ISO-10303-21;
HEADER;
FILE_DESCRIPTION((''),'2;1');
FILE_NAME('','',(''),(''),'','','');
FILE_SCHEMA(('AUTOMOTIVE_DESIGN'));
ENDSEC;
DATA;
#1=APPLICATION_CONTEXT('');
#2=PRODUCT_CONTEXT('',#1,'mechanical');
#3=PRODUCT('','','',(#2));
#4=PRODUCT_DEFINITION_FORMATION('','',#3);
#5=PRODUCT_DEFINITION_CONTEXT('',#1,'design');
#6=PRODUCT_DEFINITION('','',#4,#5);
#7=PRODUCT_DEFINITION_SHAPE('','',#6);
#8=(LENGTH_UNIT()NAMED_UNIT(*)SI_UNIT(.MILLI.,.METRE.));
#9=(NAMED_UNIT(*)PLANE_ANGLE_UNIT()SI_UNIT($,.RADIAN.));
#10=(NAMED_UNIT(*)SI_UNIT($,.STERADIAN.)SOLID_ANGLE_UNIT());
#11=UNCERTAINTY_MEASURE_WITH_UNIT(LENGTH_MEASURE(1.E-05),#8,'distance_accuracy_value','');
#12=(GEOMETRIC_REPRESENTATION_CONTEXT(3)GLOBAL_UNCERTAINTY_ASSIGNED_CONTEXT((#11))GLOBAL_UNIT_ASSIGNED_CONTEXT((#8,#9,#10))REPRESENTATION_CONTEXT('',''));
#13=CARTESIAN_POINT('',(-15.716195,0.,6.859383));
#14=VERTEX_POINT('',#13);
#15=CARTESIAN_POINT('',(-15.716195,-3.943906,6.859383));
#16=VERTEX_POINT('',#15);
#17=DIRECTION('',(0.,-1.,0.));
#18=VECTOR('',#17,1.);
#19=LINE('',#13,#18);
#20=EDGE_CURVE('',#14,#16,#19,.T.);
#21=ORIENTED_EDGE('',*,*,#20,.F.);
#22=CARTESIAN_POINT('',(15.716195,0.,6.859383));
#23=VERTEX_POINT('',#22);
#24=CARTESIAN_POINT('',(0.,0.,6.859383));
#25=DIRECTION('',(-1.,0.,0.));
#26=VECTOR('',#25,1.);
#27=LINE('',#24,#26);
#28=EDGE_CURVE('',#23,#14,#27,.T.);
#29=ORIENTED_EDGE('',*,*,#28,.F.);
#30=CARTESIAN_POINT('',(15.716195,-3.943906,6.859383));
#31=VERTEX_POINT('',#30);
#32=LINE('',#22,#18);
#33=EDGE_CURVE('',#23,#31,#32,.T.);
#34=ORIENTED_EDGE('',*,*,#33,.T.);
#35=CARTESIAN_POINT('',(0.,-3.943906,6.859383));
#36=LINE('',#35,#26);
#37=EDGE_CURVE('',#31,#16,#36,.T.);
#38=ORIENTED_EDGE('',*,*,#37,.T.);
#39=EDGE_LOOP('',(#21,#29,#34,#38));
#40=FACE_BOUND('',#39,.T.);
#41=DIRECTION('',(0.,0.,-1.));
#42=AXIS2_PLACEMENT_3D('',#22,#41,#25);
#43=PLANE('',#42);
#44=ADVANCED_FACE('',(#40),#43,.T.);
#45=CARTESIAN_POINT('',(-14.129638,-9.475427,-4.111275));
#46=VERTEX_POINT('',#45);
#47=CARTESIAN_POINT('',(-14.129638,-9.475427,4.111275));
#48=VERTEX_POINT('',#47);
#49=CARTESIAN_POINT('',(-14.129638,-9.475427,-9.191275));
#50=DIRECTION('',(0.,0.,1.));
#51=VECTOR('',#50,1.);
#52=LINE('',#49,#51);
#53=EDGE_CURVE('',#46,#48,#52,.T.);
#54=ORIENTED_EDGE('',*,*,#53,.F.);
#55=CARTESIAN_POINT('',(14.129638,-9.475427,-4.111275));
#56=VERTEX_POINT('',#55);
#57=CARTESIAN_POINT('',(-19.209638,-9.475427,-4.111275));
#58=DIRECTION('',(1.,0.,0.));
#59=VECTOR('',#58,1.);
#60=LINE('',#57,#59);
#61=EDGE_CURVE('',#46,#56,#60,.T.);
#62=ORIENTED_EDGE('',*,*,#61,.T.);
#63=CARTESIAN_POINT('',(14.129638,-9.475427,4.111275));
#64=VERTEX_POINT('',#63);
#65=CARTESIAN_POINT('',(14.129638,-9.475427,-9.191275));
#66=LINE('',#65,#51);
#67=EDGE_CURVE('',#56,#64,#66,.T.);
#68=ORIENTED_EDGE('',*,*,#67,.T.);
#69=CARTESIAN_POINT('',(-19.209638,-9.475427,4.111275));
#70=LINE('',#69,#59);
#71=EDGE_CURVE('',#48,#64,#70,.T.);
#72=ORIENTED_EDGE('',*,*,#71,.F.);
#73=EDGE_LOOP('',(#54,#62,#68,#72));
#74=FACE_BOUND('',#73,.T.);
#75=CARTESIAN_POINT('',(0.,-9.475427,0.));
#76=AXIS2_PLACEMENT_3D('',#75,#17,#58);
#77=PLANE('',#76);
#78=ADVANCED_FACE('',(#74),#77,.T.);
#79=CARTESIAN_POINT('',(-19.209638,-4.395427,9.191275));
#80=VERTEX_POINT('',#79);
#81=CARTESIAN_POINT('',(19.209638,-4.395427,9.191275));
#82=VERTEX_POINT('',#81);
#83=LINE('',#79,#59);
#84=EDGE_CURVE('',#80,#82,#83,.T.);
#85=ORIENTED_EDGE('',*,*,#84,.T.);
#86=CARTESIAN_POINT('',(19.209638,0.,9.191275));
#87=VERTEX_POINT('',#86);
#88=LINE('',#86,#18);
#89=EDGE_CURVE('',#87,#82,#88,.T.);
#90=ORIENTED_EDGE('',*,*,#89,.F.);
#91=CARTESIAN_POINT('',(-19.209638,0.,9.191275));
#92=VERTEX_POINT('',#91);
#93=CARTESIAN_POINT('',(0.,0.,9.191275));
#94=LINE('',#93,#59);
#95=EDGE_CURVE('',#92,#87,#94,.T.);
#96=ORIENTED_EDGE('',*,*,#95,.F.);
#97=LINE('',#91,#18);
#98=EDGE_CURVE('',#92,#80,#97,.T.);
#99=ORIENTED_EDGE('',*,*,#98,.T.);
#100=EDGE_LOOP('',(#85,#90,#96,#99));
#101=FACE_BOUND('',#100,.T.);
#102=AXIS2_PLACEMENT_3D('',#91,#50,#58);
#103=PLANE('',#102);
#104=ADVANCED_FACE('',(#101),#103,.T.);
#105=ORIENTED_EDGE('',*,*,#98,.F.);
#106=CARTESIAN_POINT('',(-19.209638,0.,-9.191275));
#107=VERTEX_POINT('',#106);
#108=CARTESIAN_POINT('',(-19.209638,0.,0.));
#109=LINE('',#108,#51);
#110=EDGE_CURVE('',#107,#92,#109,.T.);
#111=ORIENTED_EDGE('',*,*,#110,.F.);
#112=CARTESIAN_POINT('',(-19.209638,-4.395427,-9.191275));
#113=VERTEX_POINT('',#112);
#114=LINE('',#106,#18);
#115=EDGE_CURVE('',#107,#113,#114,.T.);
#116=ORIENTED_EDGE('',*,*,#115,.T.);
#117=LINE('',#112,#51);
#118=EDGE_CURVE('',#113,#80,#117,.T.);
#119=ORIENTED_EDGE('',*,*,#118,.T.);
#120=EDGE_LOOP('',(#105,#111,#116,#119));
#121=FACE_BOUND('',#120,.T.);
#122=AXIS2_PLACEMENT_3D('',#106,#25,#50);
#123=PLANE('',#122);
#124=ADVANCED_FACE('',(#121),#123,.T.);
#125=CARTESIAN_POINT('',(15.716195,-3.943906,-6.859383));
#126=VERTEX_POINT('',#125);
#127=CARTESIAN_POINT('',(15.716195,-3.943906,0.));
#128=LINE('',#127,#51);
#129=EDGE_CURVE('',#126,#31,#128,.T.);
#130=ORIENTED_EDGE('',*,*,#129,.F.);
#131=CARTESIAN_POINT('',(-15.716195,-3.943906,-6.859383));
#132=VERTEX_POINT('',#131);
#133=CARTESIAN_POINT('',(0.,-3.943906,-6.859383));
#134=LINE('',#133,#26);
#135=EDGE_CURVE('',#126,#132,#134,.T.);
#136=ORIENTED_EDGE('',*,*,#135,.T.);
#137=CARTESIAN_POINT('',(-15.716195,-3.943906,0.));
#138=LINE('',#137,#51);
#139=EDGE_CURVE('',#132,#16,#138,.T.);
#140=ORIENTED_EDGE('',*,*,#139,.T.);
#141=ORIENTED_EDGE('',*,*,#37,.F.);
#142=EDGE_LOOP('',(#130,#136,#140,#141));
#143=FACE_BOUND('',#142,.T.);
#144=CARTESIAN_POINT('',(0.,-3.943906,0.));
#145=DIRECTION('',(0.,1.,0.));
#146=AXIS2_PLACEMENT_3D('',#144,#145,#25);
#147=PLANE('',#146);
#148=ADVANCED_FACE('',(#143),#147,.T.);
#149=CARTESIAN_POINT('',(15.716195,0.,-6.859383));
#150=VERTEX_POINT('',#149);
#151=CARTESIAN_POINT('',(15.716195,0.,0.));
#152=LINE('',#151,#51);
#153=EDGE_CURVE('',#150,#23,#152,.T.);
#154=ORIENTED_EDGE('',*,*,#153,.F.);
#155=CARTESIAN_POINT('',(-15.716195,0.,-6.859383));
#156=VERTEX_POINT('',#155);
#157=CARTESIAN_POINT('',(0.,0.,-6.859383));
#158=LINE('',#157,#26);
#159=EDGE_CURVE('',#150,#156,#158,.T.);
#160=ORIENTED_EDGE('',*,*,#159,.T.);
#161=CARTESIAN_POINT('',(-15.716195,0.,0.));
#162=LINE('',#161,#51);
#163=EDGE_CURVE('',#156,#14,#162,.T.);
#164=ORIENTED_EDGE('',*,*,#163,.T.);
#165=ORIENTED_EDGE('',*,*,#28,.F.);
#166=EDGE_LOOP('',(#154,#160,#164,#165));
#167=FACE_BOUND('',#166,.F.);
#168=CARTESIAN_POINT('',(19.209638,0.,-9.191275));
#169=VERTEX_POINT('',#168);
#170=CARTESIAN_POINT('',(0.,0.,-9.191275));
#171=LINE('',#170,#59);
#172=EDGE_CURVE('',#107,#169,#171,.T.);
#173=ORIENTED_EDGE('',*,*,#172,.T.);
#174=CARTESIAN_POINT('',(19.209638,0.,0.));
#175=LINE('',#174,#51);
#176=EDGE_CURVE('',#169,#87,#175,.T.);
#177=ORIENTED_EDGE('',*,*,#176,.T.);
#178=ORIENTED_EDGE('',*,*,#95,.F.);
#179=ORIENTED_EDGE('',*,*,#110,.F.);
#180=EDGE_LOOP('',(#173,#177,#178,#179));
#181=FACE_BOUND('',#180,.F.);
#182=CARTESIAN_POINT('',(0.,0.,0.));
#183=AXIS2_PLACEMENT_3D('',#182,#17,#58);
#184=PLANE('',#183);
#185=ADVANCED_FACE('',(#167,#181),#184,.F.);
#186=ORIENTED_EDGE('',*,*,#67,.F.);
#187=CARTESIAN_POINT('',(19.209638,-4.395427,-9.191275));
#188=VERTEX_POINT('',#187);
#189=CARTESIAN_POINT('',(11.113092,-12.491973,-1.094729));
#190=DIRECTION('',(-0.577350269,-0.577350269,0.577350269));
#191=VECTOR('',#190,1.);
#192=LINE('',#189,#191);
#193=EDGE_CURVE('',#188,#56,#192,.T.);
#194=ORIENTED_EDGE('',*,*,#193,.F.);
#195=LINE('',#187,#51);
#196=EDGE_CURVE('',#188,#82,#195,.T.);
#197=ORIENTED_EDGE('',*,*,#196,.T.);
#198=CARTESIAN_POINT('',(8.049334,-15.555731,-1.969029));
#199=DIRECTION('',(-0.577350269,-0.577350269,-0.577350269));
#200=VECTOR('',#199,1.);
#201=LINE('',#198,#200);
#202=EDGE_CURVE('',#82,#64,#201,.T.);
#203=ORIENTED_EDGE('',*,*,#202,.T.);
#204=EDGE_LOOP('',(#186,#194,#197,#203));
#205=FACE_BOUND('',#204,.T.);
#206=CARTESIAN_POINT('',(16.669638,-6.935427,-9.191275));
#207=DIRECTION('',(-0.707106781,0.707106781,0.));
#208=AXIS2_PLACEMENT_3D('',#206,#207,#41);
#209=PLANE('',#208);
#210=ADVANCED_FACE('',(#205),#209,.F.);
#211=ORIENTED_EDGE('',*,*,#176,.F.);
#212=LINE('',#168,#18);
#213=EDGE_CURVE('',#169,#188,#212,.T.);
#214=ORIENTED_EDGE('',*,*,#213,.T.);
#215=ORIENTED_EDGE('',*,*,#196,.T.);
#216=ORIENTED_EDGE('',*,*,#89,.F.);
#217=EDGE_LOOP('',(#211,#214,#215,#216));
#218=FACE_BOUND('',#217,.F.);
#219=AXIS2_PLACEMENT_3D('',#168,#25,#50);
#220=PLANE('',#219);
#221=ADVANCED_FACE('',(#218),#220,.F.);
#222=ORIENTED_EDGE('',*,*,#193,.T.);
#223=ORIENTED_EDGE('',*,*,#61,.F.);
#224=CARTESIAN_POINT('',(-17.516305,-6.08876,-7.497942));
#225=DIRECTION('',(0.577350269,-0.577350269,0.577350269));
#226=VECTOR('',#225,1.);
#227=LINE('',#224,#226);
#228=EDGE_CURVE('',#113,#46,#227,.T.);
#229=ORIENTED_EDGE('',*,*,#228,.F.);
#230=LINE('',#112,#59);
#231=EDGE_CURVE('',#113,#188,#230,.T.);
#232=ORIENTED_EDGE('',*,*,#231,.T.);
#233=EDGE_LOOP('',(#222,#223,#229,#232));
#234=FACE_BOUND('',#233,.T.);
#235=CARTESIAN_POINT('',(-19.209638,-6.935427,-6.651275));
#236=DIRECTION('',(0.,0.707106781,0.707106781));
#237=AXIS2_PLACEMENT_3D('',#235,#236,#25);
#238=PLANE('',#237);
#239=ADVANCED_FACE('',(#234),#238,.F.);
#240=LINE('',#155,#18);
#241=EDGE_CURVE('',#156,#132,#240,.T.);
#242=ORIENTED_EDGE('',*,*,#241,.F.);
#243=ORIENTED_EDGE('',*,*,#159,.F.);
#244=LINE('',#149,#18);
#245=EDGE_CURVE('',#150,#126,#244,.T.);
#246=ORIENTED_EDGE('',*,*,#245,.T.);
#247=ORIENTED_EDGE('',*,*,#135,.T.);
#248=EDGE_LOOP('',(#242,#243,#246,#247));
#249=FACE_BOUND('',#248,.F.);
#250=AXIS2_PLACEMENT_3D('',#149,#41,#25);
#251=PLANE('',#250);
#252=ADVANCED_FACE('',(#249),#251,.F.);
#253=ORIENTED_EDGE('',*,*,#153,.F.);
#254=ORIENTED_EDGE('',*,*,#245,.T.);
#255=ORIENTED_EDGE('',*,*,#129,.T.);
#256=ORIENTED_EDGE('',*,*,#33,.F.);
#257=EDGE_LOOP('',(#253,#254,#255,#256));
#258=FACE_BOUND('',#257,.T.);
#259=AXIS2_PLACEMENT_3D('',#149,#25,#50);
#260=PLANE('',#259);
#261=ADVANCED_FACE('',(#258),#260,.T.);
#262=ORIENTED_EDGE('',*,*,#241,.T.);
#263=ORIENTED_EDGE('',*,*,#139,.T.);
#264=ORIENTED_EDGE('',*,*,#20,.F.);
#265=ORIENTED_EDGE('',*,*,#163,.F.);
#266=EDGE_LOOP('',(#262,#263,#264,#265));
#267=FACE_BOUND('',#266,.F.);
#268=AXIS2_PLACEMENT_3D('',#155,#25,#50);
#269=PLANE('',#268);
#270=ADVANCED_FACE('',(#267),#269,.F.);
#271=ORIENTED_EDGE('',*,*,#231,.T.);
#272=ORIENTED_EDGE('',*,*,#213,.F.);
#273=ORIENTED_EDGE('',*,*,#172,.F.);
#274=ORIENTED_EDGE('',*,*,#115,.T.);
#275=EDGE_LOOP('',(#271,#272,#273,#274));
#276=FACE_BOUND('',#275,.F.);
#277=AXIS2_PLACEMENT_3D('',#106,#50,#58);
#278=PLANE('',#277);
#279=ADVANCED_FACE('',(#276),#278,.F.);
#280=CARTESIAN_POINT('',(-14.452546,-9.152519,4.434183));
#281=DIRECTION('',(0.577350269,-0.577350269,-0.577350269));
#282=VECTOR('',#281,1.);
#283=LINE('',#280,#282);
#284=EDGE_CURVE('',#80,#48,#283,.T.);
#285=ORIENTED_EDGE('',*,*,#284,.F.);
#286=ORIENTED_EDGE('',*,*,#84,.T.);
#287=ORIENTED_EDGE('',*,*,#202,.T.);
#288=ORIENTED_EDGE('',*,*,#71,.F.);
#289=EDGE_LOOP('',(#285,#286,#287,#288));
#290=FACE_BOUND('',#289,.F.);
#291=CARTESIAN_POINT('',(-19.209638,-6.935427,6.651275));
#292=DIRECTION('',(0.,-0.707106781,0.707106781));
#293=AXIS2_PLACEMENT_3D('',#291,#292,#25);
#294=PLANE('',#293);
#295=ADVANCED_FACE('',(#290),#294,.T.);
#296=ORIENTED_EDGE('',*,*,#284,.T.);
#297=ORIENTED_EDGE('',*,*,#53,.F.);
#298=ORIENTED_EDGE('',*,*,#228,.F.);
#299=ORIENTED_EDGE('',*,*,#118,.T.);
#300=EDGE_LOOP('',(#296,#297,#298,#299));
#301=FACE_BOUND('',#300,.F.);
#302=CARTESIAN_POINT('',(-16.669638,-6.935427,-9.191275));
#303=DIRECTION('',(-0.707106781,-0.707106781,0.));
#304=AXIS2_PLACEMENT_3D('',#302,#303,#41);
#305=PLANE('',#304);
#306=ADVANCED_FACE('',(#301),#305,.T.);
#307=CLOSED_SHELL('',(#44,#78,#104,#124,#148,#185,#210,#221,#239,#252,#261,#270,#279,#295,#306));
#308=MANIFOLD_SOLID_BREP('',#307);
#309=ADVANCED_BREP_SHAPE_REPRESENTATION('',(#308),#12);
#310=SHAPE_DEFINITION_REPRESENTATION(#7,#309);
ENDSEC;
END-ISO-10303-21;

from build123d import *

# Parameters (mm, degrees)
F0_W     = 38.419276
F0_H     = 18.38255
F4_DEPTH = 9.475427
F1_SIZE  = 5.08
F2_W     = 31.43239
F2_H     = 13.718766
F3_DEPTH = 3.943906


with BuildPart() as f4:
    # F0 (on Front) → F4 (new body)
    with BuildSketch(Plane.XZ):
        Rectangle(F0_W, F0_H)
    extrude(amount=F4_DEPTH)

    # F1
    f1_edges = [f4.edges().sort_by_distance(p)[0] for p in [
        (19.209638, -9.475427, 0),
        (0, -9.475427, 9.191275),
        (-19.209638, -9.475427, 0),
        (0, -9.475427, -9.191275),
    ]]
    chamfer(f1_edges, length=F1_SIZE)

    # F2 (on face) → F3 (cut)
    with BuildSketch(Plane(origin=(0, 0, 0), x_dir=(-1, 0, 0), z_dir=(0, 1, 0))):
        Rectangle(F2_W, F2_H)
    extrude(amount=-F3_DEPTH, mode=Mode.SUBTRACT)


solid = f4.part
